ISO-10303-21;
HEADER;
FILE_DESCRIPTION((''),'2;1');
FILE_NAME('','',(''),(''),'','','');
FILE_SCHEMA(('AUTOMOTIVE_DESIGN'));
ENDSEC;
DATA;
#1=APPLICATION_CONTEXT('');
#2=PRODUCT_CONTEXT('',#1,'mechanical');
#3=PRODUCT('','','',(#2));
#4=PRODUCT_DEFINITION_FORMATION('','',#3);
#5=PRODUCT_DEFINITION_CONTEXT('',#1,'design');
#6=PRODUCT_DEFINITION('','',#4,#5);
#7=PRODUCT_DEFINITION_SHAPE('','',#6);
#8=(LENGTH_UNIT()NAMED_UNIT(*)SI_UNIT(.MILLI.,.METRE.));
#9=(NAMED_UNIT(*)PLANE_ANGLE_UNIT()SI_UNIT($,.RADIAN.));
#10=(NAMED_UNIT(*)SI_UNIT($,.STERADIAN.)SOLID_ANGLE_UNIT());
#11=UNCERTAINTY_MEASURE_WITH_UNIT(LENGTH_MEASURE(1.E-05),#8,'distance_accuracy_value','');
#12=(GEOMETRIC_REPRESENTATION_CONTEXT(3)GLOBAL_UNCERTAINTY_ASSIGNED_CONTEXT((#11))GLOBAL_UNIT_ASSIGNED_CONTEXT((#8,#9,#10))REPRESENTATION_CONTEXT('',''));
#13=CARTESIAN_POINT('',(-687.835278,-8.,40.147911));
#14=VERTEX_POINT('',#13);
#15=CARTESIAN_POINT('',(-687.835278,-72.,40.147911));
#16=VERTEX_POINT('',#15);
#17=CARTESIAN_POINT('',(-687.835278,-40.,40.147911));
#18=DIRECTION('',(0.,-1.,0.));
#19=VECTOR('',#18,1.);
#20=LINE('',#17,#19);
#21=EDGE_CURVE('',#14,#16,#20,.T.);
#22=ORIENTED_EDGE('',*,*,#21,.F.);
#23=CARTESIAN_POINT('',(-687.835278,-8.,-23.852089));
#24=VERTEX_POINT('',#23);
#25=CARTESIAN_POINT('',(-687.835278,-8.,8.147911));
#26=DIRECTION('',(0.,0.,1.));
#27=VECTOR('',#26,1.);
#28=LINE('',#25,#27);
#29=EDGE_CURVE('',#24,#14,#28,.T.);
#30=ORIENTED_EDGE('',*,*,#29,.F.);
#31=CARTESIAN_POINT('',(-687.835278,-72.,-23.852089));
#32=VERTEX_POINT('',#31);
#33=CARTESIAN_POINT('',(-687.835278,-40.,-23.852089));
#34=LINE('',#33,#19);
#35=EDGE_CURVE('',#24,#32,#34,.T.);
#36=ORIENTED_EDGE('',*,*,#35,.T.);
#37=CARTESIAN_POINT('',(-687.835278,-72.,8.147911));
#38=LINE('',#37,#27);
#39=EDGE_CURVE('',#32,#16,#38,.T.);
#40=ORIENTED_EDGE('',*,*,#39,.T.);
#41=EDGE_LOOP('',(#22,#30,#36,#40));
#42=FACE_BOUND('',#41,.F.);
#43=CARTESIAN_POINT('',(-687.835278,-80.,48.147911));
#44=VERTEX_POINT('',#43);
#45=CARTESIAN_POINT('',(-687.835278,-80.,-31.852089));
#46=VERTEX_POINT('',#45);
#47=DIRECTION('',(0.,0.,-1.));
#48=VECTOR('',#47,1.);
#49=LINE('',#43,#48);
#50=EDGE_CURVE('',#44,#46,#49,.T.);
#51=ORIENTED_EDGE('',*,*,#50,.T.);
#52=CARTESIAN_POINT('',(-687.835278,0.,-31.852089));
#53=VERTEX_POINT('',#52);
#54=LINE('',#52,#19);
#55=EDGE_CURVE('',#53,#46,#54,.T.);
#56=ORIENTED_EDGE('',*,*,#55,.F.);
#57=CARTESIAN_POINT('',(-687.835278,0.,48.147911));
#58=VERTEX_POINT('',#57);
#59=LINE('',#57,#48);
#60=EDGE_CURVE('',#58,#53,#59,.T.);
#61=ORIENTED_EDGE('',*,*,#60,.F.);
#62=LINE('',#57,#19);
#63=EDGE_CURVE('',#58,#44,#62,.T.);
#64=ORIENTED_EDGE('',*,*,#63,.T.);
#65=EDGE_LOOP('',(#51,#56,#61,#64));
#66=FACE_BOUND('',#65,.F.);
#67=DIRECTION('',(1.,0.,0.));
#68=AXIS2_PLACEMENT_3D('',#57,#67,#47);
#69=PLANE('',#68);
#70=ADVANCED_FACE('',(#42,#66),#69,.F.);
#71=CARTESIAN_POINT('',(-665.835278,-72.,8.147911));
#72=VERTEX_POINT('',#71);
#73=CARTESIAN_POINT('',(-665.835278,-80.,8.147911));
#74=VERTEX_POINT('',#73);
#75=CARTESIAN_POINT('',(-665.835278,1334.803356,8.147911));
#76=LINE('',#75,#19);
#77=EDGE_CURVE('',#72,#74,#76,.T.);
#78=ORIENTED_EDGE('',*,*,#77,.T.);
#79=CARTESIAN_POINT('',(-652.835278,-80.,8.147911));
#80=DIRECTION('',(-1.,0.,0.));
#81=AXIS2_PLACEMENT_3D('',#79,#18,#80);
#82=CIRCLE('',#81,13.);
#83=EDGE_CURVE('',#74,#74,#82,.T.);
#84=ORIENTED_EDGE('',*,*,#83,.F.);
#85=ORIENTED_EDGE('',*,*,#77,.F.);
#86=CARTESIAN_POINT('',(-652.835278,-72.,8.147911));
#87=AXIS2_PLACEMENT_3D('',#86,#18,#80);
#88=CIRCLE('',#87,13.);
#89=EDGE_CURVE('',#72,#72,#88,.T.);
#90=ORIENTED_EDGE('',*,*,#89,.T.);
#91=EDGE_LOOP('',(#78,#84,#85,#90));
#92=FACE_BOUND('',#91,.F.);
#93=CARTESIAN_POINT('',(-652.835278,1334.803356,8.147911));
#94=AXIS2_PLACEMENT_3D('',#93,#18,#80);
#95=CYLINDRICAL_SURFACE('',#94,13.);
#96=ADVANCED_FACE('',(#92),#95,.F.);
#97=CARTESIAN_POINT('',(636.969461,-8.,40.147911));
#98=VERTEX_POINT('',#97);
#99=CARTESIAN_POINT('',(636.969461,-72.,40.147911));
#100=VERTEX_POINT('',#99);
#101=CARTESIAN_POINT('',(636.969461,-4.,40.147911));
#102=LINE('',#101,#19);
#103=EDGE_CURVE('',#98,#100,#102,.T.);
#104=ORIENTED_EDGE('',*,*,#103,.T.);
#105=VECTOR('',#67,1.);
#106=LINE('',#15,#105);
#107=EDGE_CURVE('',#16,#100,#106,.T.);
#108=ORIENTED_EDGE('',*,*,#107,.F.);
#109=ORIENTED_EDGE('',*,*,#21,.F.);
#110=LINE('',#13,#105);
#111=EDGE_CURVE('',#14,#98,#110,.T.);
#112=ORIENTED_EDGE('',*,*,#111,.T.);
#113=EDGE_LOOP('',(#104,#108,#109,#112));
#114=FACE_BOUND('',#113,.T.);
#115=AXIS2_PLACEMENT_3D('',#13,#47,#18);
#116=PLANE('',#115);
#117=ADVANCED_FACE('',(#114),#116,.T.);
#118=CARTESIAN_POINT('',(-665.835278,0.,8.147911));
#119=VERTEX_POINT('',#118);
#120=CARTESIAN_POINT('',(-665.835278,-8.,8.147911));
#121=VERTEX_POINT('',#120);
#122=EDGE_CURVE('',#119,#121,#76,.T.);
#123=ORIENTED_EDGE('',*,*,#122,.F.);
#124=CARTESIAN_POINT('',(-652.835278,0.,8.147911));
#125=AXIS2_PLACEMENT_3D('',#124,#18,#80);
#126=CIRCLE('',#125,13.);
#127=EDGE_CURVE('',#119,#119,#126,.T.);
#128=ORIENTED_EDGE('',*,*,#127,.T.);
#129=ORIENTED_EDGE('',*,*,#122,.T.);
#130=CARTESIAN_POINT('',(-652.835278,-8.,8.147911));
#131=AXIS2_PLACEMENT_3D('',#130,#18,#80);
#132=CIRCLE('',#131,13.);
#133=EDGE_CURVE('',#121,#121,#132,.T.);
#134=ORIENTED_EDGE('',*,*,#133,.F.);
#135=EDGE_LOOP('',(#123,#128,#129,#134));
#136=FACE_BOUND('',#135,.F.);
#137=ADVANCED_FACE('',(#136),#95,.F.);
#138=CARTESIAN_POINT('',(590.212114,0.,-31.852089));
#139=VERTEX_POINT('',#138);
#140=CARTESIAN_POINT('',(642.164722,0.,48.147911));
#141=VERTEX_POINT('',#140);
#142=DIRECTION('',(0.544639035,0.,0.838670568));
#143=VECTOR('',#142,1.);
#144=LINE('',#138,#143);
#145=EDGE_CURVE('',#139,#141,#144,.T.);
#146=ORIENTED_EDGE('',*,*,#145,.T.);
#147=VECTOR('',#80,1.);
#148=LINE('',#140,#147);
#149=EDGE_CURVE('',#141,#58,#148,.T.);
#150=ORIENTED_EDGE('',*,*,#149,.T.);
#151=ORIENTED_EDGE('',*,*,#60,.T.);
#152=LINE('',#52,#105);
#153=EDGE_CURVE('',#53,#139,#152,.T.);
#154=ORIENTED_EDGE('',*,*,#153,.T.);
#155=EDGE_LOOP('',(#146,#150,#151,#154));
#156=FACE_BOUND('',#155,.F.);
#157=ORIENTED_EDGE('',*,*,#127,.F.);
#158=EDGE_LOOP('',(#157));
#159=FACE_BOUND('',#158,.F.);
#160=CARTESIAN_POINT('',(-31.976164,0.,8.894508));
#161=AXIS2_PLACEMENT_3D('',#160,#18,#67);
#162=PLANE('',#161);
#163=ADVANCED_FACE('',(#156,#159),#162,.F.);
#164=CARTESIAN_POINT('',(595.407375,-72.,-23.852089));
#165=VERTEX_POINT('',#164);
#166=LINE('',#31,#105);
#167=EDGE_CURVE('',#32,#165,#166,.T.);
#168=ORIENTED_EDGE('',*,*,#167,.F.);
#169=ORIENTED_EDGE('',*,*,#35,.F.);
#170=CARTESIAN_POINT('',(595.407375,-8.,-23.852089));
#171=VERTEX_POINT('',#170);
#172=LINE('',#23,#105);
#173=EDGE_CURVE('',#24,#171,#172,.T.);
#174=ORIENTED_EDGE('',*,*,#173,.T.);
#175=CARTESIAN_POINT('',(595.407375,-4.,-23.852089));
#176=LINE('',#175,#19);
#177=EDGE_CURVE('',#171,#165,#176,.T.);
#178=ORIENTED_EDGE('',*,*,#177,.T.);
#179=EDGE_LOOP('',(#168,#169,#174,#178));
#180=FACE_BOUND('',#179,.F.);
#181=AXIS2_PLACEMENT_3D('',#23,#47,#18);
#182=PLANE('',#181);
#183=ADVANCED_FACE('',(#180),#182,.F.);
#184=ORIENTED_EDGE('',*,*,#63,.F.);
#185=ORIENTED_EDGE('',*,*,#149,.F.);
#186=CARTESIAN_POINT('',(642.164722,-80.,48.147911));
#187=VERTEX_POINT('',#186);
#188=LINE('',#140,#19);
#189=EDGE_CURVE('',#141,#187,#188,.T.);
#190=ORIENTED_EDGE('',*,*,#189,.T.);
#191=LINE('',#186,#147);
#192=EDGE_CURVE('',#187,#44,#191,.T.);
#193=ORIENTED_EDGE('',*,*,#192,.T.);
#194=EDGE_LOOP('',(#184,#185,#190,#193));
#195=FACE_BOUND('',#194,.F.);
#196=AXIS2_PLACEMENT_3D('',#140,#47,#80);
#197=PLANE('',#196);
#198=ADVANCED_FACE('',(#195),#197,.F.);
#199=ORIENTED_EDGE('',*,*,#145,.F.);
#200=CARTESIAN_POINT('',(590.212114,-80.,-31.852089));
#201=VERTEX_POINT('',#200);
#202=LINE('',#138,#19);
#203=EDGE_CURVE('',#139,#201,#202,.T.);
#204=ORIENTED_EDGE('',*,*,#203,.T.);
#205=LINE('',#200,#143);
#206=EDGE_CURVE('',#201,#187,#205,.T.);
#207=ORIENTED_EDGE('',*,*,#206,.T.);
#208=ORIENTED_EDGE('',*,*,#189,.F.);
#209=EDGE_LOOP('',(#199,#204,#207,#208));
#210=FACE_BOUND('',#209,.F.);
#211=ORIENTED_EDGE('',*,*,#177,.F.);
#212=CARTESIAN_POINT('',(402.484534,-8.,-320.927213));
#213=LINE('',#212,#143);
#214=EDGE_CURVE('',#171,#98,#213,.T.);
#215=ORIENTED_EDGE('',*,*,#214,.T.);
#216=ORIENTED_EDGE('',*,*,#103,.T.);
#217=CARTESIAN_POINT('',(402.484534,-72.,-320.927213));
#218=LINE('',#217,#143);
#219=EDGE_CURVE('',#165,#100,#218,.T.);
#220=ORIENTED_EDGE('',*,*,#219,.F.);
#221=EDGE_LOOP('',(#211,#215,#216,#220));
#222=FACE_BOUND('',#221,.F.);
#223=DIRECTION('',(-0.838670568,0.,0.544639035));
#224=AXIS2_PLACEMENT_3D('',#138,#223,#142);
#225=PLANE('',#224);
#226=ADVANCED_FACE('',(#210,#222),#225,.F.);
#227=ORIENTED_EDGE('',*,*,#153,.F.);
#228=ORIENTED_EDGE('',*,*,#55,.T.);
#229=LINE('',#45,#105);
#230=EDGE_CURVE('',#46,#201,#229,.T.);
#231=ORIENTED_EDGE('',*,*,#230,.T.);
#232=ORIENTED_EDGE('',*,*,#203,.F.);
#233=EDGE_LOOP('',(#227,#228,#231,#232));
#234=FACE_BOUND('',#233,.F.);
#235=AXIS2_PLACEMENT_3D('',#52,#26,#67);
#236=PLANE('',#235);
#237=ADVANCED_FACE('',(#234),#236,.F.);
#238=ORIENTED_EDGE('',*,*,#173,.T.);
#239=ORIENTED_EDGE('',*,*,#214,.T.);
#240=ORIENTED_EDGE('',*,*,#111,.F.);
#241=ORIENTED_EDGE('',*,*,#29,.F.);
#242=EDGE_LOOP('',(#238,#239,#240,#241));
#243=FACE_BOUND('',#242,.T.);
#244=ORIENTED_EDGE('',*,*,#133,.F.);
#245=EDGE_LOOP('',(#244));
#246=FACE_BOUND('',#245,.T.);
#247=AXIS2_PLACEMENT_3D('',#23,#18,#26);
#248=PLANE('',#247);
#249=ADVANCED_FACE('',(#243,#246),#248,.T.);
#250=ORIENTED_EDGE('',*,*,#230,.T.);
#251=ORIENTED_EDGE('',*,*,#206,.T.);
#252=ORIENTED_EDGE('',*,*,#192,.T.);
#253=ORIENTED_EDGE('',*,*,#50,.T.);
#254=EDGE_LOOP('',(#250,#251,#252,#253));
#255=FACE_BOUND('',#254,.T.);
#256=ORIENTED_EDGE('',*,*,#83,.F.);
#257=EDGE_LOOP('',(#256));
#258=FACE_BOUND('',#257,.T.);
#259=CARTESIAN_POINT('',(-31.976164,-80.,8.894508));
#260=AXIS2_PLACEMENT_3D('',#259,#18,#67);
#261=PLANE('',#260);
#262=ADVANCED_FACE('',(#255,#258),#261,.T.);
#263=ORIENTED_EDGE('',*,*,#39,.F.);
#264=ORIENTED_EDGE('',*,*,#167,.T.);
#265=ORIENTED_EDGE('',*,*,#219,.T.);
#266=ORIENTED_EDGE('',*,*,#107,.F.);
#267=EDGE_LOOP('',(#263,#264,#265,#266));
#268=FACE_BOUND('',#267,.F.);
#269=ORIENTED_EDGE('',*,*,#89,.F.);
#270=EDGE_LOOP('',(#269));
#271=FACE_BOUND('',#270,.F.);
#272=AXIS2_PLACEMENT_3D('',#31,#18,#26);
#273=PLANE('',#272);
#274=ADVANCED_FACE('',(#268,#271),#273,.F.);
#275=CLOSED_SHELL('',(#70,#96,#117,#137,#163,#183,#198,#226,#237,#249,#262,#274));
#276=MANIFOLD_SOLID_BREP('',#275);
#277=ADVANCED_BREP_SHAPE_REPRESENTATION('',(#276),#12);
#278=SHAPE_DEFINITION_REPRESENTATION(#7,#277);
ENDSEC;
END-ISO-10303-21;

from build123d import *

# Parameters (mm, degrees)
F1_DEPTH = 80
F2_W     = 64
F2_H     = 64
F3_DEPTH = 1330
F4_D     = 26


with BuildPart() as f1:
    # F0 (on Front) → F1 (new body)
    with BuildSketch(Plane.XZ):
        Polygon((642.1647218585, 48.1479109465), (-687.8352781415, 48.1479109465), (-687.8352781415, -31.8520890535), (590.2121144027, -31.8520890535), align=None)
    extrude(amount=F1_DEPTH)

    # F2 (on face) → F3 (cut)
    with BuildSketch(Plane(origin=(-687.8352781415, 0, 0), x_dir=(0, -1, 0), z_dir=(-1, 0, 0))):
        with Locations((40, 8.1479109465)):
            Rectangle(F2_W, F2_H)
    extrude(amount=-F3_DEPTH, mode=Mode.SUBTRACT)

    # F4 (through all)
    with Locations(Plane(origin=(0, 0, 0), x_dir=(1, 0, 0), z_dir=(0, 1, 0))):
        with Locations((-652.8352781415, -8.1479109465)):
            Hole(F4_D / 2)


solid = f1.part
